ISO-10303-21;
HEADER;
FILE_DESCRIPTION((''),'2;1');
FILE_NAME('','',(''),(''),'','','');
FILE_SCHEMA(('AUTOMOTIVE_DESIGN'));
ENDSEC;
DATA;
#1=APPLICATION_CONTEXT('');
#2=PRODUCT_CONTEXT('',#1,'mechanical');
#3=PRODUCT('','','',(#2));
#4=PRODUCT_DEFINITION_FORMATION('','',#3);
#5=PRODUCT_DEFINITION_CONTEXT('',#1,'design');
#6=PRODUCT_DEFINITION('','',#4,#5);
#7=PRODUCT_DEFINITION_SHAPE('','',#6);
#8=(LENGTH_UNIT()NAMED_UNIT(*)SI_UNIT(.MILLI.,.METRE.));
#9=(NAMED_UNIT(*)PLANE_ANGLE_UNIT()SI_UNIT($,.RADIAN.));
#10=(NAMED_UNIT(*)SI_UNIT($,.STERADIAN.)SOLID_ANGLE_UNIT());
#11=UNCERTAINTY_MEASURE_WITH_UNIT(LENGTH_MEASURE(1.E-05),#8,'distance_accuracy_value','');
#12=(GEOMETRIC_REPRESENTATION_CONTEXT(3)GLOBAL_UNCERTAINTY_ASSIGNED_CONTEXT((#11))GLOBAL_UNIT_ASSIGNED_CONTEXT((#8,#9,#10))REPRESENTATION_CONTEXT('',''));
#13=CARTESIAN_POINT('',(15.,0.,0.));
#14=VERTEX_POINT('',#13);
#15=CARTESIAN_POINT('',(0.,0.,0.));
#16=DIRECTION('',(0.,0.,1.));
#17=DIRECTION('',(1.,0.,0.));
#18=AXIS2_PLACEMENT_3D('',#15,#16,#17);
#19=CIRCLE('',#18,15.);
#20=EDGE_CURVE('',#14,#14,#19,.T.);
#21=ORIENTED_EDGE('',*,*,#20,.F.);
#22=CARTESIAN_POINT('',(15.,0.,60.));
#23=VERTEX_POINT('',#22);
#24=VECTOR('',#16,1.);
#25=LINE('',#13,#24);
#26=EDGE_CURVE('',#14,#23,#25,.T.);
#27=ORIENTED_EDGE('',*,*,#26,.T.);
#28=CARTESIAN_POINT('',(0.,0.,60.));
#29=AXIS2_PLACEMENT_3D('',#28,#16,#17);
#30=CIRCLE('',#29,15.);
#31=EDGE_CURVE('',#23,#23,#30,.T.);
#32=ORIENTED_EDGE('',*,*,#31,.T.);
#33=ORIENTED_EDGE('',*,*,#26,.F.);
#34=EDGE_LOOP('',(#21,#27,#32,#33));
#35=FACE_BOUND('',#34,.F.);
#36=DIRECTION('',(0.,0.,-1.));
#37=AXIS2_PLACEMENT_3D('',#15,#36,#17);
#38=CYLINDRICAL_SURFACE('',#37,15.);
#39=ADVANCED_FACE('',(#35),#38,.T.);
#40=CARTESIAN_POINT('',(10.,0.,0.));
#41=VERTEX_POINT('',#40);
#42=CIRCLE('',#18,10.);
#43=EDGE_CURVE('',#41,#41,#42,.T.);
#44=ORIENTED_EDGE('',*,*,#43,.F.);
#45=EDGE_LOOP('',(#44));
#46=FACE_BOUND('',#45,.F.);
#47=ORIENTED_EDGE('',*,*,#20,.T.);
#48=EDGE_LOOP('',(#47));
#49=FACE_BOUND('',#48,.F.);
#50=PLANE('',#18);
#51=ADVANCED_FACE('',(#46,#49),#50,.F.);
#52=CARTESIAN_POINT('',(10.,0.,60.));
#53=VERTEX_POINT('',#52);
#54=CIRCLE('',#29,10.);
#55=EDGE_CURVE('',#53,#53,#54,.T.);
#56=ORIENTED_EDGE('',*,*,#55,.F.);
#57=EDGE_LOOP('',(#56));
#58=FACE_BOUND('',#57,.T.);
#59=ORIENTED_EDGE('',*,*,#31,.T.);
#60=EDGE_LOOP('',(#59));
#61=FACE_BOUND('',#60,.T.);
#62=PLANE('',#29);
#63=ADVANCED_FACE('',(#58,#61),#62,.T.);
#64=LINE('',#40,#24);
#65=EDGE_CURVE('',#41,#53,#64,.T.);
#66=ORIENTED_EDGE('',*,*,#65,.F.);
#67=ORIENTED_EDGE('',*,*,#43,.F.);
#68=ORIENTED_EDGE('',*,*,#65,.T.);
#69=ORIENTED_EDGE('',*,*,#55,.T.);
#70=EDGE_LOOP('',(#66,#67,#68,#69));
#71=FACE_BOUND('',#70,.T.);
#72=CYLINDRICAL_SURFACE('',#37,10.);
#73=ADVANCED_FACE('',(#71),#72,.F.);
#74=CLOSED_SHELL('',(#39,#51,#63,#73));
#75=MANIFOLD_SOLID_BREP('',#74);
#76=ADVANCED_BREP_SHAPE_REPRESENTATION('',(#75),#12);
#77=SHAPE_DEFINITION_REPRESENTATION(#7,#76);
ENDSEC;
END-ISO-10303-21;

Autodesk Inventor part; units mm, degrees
ref_plane "YZ Plane" through (0, 0, 0) normal (1, 0, 0) x (0, 1, 0)
ref_plane "XZ Plane" through (0, 0, 0) normal (0, 1, 0) x (-1, 0, 0)
ref_plane "XY Plane" through (0, 0, 0) normal (0, 0, 1) x (1, 0, 0)
sketch "Sketch1" plane through (0, 0, 0) normal (0, 0, 1) x (1, 0, 0)
  circle A0 centre (0, 0) radius 10
  circle A1 centre (0, 0) radius 15
  dimension "d0" = 20
  dimension "d1" = 30
extrude "Extrusion1" add sketch "Sketch1" along normal blind 60
properties part number "Slider"
